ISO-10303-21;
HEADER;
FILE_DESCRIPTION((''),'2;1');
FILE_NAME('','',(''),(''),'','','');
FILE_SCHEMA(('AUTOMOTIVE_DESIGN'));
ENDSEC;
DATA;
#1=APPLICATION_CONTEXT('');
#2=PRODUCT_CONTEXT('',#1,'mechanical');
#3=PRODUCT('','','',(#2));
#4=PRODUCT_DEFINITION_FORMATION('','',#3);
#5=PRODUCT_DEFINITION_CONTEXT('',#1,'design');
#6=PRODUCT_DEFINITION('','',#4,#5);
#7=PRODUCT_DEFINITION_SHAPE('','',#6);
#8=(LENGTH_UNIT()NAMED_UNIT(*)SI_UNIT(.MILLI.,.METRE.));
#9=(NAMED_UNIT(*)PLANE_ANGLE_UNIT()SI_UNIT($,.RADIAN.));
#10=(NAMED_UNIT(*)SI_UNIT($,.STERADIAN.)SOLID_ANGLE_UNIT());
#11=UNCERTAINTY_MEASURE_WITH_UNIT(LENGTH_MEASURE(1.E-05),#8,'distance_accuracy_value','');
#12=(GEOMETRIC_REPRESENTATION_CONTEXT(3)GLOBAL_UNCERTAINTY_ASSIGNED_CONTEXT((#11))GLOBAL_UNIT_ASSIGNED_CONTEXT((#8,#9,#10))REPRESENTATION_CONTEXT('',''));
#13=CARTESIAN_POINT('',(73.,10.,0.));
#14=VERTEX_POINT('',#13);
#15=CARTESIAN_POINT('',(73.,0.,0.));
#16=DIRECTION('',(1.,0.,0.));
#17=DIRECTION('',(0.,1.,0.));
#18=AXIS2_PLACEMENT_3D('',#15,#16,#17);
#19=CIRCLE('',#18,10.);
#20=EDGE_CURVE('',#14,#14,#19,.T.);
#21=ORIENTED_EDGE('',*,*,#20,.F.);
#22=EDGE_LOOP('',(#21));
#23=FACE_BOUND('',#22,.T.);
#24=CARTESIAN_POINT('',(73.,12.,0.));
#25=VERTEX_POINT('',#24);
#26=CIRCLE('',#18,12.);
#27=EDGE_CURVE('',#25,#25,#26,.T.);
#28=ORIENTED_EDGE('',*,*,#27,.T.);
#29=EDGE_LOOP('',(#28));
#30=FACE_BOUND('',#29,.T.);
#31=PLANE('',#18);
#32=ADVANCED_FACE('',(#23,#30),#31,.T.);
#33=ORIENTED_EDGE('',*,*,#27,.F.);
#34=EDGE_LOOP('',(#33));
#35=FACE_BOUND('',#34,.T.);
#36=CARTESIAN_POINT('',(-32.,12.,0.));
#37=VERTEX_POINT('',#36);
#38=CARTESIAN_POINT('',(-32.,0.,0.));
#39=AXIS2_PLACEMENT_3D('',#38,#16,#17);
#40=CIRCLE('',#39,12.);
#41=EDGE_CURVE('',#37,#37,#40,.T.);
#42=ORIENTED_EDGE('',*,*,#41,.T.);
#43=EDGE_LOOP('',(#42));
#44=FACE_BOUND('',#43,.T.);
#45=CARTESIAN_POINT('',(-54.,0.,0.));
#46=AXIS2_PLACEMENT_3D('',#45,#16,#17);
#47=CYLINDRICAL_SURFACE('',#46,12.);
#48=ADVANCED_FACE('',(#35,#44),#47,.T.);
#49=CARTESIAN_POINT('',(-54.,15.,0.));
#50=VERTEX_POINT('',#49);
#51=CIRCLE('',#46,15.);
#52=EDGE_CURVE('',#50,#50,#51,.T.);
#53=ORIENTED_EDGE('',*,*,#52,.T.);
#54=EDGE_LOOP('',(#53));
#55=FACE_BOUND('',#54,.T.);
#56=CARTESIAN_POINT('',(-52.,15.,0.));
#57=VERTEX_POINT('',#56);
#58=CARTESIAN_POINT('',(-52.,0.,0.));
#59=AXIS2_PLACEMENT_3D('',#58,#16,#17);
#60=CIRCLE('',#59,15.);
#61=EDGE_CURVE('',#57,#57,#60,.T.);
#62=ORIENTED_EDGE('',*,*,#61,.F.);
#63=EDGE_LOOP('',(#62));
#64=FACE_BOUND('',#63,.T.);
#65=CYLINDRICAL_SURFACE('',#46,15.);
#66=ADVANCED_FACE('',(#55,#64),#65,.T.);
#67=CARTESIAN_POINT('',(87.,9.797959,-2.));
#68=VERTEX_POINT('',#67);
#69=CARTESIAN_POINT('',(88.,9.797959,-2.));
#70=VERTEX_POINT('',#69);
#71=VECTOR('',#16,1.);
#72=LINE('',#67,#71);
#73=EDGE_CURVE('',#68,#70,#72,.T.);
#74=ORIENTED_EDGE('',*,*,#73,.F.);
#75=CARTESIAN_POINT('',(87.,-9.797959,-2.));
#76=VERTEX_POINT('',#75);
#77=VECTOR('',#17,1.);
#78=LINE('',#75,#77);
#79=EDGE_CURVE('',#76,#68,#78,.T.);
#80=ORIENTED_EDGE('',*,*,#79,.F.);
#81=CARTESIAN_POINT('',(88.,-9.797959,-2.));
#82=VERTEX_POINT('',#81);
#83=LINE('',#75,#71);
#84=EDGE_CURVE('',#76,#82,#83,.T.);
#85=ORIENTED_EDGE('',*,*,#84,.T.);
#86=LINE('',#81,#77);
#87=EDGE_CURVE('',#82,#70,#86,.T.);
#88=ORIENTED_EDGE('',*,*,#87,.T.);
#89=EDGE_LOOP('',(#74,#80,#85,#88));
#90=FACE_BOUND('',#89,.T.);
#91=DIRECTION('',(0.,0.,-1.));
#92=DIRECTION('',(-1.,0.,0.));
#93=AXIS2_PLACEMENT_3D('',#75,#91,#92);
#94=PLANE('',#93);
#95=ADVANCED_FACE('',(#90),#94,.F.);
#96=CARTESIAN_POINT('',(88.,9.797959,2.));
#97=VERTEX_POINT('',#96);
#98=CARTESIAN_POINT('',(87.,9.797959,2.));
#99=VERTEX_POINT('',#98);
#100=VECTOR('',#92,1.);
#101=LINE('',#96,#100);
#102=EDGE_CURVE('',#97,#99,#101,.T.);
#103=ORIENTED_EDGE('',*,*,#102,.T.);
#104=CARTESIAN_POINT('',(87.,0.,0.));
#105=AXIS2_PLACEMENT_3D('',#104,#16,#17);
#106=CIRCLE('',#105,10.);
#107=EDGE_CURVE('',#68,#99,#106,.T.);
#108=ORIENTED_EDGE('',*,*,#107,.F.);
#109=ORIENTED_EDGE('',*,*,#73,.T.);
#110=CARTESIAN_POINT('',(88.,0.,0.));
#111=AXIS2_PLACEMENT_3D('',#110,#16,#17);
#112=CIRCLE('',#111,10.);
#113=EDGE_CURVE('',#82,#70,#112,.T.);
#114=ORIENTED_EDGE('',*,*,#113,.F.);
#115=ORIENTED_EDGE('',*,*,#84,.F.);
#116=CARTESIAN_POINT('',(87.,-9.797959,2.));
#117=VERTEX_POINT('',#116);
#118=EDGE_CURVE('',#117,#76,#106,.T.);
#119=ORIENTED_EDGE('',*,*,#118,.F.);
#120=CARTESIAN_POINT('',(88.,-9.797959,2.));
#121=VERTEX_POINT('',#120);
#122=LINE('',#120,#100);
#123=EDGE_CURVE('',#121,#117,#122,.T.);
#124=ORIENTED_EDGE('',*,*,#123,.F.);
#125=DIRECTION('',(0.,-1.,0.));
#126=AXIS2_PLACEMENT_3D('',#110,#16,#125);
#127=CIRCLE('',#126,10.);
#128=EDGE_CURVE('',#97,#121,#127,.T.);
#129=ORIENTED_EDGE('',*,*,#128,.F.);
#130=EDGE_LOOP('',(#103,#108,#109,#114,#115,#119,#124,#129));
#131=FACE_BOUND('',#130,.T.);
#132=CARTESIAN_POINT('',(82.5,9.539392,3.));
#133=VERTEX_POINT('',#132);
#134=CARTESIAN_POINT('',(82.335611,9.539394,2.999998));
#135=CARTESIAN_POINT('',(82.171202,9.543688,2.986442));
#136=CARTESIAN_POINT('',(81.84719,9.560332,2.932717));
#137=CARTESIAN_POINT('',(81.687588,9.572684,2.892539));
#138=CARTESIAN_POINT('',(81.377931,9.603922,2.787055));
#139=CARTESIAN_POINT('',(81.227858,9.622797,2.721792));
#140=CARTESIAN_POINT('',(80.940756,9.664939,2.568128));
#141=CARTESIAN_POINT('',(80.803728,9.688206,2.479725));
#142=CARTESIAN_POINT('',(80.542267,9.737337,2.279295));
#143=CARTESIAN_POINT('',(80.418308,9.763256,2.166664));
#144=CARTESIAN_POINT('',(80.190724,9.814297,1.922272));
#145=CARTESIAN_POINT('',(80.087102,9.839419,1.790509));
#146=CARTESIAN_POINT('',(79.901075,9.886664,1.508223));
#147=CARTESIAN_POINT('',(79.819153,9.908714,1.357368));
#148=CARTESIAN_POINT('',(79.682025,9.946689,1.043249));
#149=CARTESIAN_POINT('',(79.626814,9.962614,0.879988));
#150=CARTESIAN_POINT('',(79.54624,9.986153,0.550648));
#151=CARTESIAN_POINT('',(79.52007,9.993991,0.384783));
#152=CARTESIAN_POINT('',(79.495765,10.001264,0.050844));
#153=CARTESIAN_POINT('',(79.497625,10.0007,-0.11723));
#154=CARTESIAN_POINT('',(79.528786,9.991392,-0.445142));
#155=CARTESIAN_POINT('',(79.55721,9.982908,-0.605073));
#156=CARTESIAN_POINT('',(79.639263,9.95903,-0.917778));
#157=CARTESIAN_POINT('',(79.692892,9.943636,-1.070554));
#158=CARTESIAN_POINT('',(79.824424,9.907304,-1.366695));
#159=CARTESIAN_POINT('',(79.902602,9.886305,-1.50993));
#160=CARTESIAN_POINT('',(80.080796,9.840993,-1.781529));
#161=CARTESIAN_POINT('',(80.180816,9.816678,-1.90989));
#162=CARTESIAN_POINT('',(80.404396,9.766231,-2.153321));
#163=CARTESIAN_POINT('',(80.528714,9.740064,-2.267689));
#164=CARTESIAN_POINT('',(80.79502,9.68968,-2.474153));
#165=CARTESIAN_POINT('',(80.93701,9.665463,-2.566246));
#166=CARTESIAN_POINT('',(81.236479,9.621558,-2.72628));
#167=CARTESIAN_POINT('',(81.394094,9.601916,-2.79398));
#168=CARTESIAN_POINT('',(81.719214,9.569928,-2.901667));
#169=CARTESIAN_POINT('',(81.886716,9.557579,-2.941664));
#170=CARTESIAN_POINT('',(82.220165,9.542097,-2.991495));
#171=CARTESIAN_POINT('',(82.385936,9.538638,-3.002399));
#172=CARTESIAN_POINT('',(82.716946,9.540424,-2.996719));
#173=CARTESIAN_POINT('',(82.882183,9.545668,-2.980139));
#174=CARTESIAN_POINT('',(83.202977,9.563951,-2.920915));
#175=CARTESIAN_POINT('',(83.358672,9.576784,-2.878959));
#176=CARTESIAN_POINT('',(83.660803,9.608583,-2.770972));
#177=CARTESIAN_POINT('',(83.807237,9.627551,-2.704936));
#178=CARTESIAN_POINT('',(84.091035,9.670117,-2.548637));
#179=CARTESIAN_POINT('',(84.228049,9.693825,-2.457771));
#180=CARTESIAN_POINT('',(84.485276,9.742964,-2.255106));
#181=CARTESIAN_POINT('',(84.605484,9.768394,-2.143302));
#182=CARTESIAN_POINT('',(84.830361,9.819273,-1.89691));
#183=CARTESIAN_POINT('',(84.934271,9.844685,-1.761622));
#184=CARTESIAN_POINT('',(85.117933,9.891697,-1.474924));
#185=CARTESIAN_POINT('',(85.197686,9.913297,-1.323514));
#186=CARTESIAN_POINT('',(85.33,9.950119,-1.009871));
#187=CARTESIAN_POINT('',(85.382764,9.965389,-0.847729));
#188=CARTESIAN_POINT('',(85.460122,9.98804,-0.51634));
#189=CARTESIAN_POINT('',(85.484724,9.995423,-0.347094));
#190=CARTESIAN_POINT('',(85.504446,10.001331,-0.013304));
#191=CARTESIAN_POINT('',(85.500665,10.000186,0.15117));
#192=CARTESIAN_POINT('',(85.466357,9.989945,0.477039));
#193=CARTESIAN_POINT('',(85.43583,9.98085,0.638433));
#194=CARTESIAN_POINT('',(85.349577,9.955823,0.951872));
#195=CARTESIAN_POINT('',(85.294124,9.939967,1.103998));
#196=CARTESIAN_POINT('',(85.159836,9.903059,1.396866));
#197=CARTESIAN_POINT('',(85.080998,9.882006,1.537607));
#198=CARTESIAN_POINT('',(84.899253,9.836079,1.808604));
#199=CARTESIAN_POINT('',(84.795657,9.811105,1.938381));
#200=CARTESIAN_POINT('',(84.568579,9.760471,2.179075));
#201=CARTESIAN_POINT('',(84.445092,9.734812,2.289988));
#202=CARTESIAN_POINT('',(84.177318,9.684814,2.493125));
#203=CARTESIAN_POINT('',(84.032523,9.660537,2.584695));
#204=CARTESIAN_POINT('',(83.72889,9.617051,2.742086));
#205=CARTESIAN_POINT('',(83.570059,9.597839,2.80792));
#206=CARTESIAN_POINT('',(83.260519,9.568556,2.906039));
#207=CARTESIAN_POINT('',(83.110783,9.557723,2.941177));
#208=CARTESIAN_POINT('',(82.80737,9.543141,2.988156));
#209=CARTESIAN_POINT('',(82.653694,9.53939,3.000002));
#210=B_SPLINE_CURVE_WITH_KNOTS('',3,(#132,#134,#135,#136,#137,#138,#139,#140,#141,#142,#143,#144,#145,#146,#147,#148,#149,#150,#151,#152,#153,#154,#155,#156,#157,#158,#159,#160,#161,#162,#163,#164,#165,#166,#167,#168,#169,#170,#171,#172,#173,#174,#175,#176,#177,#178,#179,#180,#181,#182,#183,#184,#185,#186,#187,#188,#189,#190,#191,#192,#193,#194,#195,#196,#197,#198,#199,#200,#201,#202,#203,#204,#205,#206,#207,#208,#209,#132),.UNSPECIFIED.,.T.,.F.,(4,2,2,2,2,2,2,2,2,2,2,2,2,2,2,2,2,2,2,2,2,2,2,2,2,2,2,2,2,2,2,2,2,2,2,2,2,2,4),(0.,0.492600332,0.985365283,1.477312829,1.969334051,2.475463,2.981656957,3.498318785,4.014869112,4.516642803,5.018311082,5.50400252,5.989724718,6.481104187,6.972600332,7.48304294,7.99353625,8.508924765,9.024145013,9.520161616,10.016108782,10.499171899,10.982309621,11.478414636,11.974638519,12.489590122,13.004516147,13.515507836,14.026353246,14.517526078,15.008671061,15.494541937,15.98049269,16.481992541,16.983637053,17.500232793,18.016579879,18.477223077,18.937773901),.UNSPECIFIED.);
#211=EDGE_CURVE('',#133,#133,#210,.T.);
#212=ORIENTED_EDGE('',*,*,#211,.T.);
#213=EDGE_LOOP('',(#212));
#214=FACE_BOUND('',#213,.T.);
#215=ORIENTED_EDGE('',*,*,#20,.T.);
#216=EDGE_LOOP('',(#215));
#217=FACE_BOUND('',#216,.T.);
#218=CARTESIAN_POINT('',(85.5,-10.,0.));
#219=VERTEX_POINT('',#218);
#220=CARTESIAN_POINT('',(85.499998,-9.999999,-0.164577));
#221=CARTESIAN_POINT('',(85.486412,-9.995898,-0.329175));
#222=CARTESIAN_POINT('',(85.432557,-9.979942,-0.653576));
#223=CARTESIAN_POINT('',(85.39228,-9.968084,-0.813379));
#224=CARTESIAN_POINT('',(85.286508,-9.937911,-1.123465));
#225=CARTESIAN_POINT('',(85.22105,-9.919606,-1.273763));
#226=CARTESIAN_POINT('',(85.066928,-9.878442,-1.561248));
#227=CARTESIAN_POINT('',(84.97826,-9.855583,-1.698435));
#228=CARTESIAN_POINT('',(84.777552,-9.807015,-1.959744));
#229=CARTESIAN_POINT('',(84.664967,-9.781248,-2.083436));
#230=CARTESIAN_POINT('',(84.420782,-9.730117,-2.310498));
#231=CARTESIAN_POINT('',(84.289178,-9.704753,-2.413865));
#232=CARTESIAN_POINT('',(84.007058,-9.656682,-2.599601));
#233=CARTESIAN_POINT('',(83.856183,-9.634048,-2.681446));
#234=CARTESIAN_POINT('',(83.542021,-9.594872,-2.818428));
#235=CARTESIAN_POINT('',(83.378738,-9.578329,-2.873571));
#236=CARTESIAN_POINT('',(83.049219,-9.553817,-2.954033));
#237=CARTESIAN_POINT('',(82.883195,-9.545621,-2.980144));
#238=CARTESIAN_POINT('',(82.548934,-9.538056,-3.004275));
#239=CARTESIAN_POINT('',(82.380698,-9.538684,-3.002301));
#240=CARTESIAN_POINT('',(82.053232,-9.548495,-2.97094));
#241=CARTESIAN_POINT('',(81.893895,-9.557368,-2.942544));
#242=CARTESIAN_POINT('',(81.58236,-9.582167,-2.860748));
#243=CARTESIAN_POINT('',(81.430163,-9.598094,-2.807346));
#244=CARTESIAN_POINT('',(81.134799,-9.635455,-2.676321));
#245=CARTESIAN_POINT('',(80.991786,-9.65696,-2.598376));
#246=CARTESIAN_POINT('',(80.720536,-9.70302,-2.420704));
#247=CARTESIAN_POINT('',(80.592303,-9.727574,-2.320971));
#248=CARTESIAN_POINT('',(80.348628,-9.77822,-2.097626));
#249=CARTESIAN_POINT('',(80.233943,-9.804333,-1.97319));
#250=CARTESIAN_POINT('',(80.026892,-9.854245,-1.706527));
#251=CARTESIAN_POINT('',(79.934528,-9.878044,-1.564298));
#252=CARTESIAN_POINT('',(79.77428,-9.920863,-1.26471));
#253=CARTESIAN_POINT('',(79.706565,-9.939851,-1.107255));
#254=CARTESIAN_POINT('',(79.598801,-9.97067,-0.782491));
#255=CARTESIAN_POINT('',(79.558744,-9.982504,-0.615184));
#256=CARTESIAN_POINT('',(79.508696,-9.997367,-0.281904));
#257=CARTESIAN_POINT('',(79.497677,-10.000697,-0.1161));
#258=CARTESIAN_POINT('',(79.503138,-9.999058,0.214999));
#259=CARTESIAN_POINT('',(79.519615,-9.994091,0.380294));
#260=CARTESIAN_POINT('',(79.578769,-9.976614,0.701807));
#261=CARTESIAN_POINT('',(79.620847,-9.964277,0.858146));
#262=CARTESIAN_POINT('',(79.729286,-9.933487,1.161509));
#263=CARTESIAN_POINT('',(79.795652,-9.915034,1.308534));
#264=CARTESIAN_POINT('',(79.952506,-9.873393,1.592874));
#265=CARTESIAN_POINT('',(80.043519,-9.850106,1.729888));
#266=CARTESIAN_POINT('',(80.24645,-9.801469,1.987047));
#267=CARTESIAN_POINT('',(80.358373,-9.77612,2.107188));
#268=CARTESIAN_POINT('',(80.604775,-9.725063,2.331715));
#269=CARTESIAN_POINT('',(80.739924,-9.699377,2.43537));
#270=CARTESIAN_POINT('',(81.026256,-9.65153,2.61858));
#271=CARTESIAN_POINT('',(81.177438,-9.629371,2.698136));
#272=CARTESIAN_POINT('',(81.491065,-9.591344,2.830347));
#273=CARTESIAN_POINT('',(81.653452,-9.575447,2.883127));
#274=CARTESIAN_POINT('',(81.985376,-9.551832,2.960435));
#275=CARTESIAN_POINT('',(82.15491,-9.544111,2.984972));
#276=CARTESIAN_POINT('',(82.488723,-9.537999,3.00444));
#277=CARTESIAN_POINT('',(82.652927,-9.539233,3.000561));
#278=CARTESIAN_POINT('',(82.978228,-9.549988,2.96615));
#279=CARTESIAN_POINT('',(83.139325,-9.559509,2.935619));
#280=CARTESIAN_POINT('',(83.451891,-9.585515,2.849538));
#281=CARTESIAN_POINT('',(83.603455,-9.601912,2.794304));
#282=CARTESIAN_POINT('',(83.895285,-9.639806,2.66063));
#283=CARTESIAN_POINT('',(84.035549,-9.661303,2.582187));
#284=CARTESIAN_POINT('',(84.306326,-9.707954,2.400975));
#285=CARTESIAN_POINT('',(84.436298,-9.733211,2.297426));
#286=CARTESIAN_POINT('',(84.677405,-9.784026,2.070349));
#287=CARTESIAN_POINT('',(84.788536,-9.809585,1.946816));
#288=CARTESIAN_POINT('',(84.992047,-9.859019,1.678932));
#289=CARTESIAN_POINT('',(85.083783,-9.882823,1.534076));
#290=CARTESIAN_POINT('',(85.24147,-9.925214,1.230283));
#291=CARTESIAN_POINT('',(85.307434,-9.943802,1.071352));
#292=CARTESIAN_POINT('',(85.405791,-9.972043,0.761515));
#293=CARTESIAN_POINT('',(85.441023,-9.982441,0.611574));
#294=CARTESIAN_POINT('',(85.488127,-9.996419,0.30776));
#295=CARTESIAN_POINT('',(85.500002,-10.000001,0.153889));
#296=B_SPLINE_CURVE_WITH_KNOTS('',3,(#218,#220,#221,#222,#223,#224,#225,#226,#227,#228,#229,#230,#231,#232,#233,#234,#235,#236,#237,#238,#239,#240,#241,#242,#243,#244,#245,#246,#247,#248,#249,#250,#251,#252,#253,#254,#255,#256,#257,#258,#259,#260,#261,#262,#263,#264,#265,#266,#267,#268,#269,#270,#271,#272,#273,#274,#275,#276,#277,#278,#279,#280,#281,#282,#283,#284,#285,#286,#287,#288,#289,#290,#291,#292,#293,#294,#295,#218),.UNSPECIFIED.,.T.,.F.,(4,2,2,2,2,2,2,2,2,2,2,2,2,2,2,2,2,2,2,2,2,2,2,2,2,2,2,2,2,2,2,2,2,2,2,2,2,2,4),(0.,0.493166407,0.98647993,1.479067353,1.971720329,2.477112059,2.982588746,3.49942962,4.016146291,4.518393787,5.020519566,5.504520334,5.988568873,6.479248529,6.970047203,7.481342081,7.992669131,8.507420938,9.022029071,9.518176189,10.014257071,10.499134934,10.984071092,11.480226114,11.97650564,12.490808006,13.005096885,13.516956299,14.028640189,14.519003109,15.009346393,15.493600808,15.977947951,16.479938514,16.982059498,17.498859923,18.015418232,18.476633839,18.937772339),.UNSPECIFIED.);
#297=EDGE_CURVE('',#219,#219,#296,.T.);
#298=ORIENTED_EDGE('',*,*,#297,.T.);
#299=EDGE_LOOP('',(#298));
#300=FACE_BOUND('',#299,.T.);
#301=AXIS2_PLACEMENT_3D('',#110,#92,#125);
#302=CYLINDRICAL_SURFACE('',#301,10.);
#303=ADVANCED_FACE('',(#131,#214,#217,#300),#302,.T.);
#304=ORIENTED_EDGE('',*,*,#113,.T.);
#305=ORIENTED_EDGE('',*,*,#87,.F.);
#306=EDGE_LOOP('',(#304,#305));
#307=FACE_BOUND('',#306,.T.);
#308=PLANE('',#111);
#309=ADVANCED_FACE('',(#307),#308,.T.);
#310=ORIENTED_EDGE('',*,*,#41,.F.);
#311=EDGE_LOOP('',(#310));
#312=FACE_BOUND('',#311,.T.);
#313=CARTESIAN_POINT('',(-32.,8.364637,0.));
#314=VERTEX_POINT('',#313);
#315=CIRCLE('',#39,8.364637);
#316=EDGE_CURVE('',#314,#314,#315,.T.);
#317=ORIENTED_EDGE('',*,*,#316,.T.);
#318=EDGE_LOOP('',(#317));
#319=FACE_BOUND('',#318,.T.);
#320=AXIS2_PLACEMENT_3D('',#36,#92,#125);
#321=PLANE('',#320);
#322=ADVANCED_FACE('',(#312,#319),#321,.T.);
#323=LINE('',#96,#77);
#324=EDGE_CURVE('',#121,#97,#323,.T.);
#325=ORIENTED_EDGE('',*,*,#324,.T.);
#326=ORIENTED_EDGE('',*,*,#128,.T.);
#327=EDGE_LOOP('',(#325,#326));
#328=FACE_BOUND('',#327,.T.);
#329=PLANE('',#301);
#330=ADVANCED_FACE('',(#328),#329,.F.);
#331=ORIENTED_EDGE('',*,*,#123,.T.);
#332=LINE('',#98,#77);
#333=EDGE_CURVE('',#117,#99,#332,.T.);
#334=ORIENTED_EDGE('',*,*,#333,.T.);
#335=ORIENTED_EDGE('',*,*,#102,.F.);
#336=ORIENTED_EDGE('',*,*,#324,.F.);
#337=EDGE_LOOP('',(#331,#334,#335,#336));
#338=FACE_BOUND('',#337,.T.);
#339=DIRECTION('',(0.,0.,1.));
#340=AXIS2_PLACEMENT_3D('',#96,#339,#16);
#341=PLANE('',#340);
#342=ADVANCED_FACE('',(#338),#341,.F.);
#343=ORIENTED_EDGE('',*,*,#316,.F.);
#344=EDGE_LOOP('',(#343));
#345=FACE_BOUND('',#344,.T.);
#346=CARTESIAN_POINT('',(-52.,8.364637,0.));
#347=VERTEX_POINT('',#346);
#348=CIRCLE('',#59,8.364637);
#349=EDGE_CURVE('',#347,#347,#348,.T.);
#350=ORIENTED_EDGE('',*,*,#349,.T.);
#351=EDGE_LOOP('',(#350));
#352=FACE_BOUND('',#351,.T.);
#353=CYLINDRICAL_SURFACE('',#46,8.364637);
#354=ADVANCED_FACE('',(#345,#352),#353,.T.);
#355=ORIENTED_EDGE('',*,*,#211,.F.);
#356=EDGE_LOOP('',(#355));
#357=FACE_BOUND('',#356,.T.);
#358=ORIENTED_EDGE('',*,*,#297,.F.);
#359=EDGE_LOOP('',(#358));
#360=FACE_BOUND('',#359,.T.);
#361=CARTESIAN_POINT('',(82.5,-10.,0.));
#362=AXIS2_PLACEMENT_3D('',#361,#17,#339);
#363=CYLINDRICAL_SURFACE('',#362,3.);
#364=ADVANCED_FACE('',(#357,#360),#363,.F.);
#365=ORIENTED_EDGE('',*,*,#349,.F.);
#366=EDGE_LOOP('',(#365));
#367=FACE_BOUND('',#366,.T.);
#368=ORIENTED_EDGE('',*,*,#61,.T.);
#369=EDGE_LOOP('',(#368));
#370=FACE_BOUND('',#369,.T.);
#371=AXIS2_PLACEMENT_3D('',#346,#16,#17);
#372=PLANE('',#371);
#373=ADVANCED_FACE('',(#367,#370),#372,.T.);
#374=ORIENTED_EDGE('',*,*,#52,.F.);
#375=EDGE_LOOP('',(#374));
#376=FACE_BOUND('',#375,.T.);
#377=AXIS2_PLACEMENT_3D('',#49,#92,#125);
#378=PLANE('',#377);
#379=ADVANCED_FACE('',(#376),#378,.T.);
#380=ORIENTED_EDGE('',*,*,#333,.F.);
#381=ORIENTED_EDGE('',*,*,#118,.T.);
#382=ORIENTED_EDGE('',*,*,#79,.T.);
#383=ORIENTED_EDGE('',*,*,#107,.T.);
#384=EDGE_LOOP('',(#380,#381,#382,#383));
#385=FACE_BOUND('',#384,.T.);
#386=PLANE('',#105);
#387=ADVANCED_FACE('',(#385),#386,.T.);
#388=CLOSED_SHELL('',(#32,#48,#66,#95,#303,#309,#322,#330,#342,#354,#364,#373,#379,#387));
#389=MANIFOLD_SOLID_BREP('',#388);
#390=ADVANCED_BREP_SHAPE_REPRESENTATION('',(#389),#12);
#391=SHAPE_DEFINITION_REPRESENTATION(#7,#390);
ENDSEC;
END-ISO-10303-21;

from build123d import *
from build123d.topology import SkipClean

# Parameters (mm, degrees)
ESQUISSE2_R             = 10
EXTRUSION1_DEPTH        = 15
ENL_V_START             = -1
ENL_V_MAT_EXTRU_1_DEPTH = 1
EXTRUSION2_DEPTH        = 1
ESQUISSE5_W             = 3
ESQUISSE5_H             = 20


with BuildPart() as part:
    # Esquisse1 → Révolution1 (revolve)
    with BuildSketch(Plane.XY):
        Polygon((-54, 15), (-54, 0), (73, 0), (73, 12), (-32, 12), (-32, 8.364637375), (-52, 8.364637375), (-52, 15), align=None)
    revolve(axis=Axis((-54, 0, 0), (1, 0, 0)))

    # Esquisse2 → Extrusion1 (add)
    with BuildSketch(Plane(origin=(73, 0, 0), x_dir=(0, 0, -1), z_dir=(1, 0, 0))):
        with Locations(Location((0, 0, 0), (0, 0, 90))):
            Circle(ESQUISSE2_R)
    extrude(amount=EXTRUSION1_DEPTH)

    # Esquisse3 → Enlèv. mat.-Extru.1 (cut)
    with BuildSketch(Plane(origin=(88, 0, 0), x_dir=(0, 0, -1), z_dir=(1, 0, 0)).offset(ENL_V_START)):
        with BuildLine():
            Line((2, -9.797958971), (2, 9.797958971))
            ThreePointArc((2, 9.797958971), (-10, 0), (2, -9.797958971))
        make_face()
    extrude(amount=ENL_V_MAT_EXTRU_1_DEPTH, mode=Mode.SUBTRACT)

    # Esquisse4 → Extrusion2 (add)
    with SkipClean():  # the faces are left unmerged after this step: merging them gives an invalid solid
        with BuildSketch(Plane(origin=(87, 0, 0), x_dir=(0, 0, -1), z_dir=(1, 0, 0))):
            with BuildLine():
                Line((-2, 9.797958971), (-2, -9.797958971))
                ThreePointArc((-2, -9.797958971), (-10, 0), (-2, 9.797958971))
            make_face()
        extrude(amount=EXTRUSION2_DEPTH)

    # Esquisse5 → Enlèvement de matière-Révolution1 (revolve, cut)
    with BuildSketch(Plane.XY, mode=Mode.PRIVATE) as enl_vement_de_mati_re_r_volution1_sk:
        with Locations((81, 0)):
            Rectangle(ESQUISSE5_W, ESQUISSE5_H)
    revolve(enl_vement_de_mati_re_r_volution1_sk.sketch.rotate(Axis((82.5, -10, 0), (0, 1, 0)), 90), axis=Axis((82.5, -10, 0), (0, 1, 0)), mode=Mode.SUBTRACT)


solid = part.part
